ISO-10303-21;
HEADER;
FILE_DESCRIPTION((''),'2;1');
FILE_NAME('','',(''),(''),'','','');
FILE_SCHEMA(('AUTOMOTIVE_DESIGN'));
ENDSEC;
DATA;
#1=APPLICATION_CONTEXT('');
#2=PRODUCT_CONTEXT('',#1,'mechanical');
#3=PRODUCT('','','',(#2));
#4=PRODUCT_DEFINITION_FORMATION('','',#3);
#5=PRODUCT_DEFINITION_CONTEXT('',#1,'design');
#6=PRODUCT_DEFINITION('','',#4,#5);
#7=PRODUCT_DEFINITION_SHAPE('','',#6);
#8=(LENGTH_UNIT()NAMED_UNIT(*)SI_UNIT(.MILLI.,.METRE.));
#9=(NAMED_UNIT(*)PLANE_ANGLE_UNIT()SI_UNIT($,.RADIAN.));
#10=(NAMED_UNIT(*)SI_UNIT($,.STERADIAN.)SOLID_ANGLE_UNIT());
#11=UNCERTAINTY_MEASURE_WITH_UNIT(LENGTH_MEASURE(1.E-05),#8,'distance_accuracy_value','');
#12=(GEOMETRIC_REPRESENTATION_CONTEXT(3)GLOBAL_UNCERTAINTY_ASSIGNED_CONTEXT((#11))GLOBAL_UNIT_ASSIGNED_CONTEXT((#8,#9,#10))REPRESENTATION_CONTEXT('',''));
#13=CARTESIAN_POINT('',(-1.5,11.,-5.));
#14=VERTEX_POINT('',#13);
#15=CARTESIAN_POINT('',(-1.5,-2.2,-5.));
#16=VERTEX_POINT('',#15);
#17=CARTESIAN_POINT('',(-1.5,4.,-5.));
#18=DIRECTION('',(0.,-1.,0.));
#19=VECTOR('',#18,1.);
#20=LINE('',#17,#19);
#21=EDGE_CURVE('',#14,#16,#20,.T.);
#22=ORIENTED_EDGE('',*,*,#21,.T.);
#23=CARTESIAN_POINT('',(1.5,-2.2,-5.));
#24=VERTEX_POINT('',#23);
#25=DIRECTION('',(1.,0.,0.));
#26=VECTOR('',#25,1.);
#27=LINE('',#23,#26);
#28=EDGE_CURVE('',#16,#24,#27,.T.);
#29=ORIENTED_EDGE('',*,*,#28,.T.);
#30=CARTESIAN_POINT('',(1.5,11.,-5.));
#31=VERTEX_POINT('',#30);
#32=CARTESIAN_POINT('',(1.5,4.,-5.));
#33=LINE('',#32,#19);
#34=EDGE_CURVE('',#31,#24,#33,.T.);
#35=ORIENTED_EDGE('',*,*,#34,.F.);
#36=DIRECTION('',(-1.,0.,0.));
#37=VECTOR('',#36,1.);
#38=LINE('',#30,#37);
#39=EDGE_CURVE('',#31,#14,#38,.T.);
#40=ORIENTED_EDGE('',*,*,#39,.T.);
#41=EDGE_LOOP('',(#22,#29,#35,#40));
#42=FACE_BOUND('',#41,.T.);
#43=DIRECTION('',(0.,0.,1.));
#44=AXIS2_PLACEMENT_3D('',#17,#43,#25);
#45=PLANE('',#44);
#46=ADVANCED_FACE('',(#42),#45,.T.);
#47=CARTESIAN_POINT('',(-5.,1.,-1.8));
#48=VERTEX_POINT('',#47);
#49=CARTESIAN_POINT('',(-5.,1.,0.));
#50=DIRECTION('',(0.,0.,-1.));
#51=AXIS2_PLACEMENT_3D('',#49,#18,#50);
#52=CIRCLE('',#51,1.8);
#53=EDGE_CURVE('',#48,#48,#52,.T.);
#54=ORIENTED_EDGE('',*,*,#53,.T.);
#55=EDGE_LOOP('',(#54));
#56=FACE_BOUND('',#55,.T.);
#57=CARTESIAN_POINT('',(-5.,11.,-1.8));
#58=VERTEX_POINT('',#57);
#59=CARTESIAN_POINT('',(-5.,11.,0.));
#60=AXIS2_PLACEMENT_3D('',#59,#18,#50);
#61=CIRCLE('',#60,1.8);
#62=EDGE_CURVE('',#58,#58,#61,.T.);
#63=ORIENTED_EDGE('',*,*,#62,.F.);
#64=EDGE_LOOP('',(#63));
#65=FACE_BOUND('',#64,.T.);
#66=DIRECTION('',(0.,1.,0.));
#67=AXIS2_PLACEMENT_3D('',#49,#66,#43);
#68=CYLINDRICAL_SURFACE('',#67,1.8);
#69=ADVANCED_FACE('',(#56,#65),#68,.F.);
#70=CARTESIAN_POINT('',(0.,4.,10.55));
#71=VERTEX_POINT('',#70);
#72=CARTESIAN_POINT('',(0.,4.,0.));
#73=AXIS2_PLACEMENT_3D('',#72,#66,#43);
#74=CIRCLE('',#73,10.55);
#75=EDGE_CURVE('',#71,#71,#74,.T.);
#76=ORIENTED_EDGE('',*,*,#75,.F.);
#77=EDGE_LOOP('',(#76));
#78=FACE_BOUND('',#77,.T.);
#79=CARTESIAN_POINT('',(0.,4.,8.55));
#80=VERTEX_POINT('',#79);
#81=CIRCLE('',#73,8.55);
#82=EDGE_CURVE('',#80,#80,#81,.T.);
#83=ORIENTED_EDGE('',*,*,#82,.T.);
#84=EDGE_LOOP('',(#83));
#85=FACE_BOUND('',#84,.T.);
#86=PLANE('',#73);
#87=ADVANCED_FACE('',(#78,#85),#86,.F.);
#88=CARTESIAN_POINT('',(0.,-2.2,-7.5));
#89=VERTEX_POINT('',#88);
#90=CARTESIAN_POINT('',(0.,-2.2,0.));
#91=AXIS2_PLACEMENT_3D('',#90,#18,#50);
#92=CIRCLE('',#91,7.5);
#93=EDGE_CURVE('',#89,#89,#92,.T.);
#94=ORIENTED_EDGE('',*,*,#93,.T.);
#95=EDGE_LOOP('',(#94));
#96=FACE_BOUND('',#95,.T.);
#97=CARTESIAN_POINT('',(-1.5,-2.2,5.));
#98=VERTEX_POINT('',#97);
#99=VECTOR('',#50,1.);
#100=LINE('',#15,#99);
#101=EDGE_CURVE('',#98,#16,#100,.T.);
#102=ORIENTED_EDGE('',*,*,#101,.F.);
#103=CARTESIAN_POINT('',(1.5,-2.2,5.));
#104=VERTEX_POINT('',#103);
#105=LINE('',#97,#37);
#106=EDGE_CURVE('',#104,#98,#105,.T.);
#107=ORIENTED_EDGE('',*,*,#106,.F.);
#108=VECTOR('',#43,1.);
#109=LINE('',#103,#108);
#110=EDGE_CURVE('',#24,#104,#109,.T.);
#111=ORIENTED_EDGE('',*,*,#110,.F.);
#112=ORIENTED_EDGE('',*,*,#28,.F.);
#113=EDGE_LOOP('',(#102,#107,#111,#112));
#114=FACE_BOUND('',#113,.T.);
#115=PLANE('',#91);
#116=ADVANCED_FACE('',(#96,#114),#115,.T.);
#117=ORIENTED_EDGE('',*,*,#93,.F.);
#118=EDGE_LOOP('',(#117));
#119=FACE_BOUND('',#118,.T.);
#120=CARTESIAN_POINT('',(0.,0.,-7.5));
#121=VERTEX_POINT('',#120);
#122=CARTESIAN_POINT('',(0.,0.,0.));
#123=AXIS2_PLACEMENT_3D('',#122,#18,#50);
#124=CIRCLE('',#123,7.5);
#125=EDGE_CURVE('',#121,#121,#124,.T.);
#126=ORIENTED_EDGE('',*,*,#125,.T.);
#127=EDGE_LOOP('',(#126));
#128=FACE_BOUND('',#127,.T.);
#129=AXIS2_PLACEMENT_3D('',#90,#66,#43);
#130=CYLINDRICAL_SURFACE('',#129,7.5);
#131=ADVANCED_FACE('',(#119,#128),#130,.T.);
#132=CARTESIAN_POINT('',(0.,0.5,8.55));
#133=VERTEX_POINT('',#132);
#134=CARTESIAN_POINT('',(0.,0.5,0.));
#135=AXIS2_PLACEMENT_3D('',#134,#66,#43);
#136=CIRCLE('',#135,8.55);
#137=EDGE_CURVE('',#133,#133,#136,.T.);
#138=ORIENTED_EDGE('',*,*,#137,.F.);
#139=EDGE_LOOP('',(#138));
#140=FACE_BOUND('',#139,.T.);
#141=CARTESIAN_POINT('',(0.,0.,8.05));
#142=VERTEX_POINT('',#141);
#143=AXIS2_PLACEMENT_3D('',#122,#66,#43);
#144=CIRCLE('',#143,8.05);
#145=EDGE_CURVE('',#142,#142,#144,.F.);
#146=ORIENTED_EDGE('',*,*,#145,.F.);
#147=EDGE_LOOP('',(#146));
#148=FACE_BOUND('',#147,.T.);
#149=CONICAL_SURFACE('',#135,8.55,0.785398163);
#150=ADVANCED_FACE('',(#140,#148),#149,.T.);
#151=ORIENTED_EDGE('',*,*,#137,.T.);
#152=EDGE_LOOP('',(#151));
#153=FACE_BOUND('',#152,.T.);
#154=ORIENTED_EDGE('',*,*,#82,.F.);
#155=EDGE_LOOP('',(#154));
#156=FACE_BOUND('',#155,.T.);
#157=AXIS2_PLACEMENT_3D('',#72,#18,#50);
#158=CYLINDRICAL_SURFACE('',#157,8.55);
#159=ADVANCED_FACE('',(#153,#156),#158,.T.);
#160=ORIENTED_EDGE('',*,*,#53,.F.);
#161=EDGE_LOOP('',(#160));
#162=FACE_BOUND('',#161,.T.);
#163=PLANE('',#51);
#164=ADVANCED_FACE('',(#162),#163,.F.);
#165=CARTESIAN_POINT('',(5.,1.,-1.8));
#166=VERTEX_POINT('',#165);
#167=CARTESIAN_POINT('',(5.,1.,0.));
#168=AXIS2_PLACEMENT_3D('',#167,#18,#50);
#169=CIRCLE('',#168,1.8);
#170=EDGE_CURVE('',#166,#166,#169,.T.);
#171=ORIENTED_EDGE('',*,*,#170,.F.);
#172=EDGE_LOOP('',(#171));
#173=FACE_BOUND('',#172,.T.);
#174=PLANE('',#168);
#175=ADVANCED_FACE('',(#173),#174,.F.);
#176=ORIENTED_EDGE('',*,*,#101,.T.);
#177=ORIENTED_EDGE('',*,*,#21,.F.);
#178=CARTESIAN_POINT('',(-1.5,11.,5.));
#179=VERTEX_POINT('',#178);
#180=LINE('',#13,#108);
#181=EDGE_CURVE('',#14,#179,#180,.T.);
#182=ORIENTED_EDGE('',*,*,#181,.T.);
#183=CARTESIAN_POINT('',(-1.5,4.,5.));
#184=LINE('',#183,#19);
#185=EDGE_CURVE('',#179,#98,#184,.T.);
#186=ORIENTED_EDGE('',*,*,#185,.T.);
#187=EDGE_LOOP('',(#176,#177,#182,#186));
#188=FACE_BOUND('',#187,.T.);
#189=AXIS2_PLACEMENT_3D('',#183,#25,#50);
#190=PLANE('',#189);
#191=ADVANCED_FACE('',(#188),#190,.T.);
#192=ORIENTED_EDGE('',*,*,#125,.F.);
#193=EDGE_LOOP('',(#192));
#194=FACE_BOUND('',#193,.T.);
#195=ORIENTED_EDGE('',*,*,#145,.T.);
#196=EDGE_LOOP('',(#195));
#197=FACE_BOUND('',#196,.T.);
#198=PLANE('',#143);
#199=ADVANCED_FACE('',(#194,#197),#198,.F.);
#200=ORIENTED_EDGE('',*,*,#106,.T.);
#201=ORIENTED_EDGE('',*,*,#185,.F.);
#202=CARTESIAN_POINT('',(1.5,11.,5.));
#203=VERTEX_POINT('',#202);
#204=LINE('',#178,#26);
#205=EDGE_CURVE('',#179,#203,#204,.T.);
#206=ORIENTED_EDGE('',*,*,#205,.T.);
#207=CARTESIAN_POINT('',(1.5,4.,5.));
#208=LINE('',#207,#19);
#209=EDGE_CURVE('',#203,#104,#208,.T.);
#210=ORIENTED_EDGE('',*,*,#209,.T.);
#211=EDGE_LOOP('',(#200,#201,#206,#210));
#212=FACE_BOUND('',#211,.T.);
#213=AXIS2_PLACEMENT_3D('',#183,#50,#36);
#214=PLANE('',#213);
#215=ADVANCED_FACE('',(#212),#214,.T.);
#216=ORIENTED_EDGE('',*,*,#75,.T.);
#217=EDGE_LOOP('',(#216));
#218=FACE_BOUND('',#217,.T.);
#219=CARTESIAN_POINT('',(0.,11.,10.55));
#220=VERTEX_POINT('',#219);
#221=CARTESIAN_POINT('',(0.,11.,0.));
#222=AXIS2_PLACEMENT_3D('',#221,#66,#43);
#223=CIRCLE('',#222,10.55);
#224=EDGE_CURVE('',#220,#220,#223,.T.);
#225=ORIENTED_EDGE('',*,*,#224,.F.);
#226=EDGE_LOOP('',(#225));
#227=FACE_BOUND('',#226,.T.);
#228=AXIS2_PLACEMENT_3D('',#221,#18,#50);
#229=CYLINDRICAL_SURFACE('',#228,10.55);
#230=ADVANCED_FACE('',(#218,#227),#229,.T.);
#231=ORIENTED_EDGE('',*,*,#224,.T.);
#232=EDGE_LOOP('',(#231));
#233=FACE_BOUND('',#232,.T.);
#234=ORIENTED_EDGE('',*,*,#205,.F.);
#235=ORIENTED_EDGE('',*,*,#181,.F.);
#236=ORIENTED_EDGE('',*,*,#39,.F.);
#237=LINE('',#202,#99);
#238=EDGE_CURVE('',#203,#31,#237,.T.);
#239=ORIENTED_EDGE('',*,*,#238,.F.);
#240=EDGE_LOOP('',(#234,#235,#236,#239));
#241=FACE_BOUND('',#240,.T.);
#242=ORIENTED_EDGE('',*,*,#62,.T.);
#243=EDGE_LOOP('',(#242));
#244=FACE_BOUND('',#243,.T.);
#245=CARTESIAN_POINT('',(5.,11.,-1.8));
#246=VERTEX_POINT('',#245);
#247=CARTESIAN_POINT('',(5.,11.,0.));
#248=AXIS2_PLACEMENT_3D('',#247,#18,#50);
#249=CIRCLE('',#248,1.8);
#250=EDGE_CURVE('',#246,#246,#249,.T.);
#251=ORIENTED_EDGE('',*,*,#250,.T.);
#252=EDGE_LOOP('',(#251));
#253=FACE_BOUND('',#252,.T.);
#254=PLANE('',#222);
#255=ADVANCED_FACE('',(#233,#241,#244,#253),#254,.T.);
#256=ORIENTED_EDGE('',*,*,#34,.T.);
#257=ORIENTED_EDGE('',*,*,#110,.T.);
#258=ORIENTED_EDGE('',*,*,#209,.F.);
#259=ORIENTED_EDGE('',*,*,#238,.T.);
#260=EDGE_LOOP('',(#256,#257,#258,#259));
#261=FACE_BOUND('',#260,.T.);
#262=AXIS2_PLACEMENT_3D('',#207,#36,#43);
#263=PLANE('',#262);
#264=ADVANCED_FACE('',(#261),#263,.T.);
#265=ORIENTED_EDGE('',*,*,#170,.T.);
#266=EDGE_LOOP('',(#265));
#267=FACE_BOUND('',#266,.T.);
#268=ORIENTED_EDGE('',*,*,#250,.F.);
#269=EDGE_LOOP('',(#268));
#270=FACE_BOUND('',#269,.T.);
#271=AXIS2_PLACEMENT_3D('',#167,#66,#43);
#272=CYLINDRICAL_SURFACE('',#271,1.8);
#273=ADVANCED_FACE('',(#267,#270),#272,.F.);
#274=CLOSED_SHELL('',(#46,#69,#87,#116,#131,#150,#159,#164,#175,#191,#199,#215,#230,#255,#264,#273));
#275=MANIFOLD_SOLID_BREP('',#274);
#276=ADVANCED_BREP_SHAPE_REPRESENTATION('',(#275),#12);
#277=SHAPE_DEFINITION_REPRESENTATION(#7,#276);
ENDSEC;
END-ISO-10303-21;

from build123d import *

# Parameters (mm, degrees)
SKIZZE1_R                       = 8.55
SKIZZE1_W                       = 3
SKIZZE1_H                       = 10
AUFSATZ_LINEAR_AUSTRAGEN1_DEPTH = 4
SKIZZE2_R                       = 10.55
SKIZZE2_W                       = 3
SKIZZE2_H                       = 10
AUFSATZ_LINEAR_AUSTRAGEN2_DEPTH = 7
SKIZZE3_R                       = 7.5
SKIZZE3_W                       = 3
SKIZZE3_H                       = 10
AUFSATZ_LINEAR_AUSTRAGEN3_DEPTH = 2.2
FASE1_SIZE                      = 0.5
SKIZZE4_R                       = 1.8
SCHNITT_LINEAR_AUSTRAGEN1_DEPTH = 10


with BuildPart() as part:
    # Skizze1 → Aufsatz-Linear austragen1 (new body)
    with BuildSketch(Plane(origin=(0, 0, 0), x_dir=(1, 0, 0), z_dir=(0, 1, 0))):
        Circle(SKIZZE1_R)
        Rectangle(SKIZZE1_W, SKIZZE1_H, mode=Mode.SUBTRACT)
    extrude(amount=AUFSATZ_LINEAR_AUSTRAGEN1_DEPTH)

    # Skizze2 → Aufsatz-Linear austragen2 (add)
    with BuildSketch(Plane(origin=(0, 4, 0), x_dir=(1, 0, 0), z_dir=(0, 1, 0))):
        Circle(SKIZZE2_R)
        Rectangle(SKIZZE2_W, SKIZZE2_H, mode=Mode.SUBTRACT)
    extrude(amount=AUFSATZ_LINEAR_AUSTRAGEN2_DEPTH)

    # Skizze3 → Aufsatz-Linear austragen3 (add)
    with BuildSketch(Plane.XZ):
        Circle(SKIZZE3_R)
        Rectangle(SKIZZE3_W, SKIZZE3_H, mode=Mode.SUBTRACT)
    extrude(amount=AUFSATZ_LINEAR_AUSTRAGEN3_DEPTH)

    # Fase1
    fase1_edges = [part.edges().sort_by_distance(p)[0] for p in [
        (-8.55, 0, 0),
    ]]
    chamfer(fase1_edges, length=FASE1_SIZE)

    # Skizze4 → Schnitt-Linear austragen1 (cut)
    with BuildSketch(Plane.XZ.offset(-11)):
        with Locations((-5, 0)):
            Circle(SKIZZE4_R)
        with Locations((5, 0)):
            Circle(SKIZZE4_R)
    extrude(amount=SCHNITT_LINEAR_AUSTRAGEN1_DEPTH, mode=Mode.SUBTRACT)


solid = part.part
